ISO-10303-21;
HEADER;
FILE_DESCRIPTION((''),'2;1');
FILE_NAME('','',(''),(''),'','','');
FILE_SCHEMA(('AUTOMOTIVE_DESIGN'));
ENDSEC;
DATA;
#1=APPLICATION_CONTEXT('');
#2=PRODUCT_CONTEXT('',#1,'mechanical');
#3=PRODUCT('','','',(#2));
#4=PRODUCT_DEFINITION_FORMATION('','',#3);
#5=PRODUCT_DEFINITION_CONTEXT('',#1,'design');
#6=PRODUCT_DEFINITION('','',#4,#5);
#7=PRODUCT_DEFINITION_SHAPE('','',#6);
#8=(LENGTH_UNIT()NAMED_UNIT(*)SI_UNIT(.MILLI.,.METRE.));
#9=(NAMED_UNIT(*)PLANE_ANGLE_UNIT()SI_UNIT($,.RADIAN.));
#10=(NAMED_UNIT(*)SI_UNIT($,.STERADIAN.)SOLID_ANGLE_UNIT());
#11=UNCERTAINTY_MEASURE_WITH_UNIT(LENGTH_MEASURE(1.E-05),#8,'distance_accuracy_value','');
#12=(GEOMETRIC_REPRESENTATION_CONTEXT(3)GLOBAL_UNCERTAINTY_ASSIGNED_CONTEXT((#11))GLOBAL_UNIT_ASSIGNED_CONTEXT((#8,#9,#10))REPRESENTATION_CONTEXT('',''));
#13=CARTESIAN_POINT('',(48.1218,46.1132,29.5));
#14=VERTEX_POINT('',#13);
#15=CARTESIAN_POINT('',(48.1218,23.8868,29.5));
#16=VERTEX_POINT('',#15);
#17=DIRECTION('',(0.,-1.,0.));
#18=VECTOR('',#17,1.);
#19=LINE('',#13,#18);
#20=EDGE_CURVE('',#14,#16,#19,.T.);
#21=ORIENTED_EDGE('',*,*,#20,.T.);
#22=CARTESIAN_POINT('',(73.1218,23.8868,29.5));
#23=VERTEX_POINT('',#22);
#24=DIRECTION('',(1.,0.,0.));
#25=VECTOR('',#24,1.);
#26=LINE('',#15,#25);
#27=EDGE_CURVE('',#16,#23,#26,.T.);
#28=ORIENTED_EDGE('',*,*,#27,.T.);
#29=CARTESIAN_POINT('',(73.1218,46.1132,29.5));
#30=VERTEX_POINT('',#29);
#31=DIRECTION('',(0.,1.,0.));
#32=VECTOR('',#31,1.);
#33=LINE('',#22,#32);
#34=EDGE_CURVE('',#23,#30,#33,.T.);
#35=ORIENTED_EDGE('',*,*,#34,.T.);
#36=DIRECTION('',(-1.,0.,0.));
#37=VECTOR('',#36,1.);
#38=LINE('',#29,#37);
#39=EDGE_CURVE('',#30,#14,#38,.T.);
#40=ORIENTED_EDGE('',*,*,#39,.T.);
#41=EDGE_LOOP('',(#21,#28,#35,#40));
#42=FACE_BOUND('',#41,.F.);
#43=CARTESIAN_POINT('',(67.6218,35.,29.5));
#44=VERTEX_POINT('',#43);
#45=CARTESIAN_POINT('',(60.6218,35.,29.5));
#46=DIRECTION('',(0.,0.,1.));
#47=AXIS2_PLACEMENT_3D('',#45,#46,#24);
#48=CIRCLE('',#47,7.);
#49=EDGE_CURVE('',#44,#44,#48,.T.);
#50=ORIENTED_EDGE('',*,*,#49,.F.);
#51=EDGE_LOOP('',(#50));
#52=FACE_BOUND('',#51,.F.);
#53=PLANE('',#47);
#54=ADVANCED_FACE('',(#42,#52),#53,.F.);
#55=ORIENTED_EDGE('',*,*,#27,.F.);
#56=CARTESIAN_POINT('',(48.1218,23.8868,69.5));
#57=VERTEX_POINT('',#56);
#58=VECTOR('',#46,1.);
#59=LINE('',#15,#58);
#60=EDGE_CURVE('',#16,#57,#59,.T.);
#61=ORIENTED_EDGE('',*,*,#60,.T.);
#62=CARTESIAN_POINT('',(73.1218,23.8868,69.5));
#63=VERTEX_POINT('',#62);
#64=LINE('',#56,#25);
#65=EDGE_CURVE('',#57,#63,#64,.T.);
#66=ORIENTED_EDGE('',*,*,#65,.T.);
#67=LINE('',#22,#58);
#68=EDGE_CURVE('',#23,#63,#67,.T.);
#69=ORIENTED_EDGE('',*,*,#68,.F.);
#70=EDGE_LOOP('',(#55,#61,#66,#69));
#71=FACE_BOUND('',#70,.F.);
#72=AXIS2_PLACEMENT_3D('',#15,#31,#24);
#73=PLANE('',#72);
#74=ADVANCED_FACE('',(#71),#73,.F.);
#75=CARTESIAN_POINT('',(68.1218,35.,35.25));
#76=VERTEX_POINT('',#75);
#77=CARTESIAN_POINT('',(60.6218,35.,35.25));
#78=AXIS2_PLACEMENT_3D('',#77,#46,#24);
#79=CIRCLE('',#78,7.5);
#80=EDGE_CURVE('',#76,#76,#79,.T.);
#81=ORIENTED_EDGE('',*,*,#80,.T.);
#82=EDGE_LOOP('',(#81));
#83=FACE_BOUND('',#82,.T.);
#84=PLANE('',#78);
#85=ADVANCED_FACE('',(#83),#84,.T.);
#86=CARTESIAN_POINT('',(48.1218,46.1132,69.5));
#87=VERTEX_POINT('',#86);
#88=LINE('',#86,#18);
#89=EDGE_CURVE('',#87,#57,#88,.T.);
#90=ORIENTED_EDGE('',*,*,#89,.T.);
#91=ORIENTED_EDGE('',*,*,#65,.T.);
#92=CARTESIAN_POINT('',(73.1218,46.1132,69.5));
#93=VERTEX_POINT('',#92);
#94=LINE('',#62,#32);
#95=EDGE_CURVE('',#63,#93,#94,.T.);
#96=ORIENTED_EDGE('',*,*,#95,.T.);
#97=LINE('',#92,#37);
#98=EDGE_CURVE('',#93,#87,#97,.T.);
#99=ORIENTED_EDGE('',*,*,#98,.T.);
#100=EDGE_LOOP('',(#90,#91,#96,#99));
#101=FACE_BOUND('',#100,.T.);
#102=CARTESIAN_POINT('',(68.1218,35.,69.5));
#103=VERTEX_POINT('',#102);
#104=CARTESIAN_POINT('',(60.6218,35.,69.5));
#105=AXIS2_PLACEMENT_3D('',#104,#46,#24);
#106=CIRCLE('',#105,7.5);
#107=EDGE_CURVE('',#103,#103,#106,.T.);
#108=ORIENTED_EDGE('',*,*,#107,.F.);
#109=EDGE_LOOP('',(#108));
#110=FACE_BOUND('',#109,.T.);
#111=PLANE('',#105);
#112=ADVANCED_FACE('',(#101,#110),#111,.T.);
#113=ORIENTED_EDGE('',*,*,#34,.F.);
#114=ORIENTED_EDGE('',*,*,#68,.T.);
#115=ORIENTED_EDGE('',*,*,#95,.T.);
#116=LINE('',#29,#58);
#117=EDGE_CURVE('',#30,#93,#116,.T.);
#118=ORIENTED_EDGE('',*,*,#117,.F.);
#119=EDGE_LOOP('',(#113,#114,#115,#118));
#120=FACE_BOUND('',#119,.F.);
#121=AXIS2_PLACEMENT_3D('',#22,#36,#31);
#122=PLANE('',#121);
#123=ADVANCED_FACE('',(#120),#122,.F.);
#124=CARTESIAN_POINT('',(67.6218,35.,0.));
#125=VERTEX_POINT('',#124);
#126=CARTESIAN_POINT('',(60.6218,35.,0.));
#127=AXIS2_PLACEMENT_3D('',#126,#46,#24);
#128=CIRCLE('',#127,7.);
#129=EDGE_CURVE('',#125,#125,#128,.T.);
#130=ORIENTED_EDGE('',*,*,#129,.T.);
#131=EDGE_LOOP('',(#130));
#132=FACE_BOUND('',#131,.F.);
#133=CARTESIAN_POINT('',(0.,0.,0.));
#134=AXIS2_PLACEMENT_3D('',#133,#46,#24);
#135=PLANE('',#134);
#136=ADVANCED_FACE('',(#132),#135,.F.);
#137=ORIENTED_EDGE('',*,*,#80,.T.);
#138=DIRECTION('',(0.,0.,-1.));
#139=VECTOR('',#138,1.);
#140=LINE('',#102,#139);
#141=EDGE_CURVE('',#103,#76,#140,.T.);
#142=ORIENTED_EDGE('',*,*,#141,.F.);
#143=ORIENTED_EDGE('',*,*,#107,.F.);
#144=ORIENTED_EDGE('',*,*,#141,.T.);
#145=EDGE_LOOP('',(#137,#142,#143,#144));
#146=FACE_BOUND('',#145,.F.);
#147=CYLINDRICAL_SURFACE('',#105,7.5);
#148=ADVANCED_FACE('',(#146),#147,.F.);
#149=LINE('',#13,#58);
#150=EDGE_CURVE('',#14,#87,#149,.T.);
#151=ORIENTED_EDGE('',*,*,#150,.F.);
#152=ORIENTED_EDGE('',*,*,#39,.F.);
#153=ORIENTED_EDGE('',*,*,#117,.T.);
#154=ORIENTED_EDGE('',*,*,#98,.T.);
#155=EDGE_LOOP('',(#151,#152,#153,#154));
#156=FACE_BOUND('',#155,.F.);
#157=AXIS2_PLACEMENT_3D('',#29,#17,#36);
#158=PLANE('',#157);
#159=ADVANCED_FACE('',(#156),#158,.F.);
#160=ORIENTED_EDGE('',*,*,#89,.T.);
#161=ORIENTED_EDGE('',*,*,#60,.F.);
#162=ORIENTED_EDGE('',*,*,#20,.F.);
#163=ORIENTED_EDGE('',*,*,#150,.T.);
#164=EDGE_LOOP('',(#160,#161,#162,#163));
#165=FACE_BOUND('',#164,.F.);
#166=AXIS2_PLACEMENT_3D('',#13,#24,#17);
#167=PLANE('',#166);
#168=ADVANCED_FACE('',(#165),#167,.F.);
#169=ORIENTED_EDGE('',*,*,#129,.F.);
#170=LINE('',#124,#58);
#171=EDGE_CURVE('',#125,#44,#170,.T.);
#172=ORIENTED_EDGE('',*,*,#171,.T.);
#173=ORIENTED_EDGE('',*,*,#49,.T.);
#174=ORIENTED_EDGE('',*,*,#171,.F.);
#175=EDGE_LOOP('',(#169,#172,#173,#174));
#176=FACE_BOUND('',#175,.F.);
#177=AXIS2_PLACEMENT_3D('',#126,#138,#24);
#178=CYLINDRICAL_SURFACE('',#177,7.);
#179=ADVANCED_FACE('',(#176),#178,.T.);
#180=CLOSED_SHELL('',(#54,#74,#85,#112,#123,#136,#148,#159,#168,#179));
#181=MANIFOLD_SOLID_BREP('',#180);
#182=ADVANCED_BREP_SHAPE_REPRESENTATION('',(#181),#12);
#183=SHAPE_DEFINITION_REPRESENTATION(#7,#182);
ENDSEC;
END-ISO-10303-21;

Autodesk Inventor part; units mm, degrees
ref_plane "YZ Plane" through (0, 0, 0) normal (1, 0, 0) x (0, 1, 0)
ref_plane "XZ Plane" through (0, 0, 0) normal (0, 1, 0) x (-1, 0, 0)
ref_plane "XY Plane" through (0, 0, 0) normal (0, 0, 1) x (1, 0, 0)
sketch "Эскиз1" plane through (0, 0, 0) normal (0, 0, 1) x (1, 0, 0)
  circle A0 centre (60.6218, 35) radius 7.5 projected
  circle A1 centre (60.6218, 35) radius 7
  point P0 (0, 0)
  dimension "d0" = 14
extrude "Выдавливание1" add sketch "Эскиз1" along normal blind 29.5 contours A1
sketch "Эскиз2" plane through (60.6218, 35, 29.5) normal (0, 0, 1) x (1, 0, 0)
  line L0 (12.5, 11.1132) -> (-12.5, 11.1132)
  line L1 (-12.5, 11.1132) -> (-12.5, -11.1132)
  line L2 (-12.5, -11.1132) -> (12.5, -11.1132)
  line L3 (12.5, -11.1132) -> (12.5, 11.1132)
  line L4 (12.5, 11.1132) -> (-12.5, -11.1132) construction
  line L5 (-12.5, 11.1132) -> (12.5, -11.1132) construction
  point P0 (-60.6218, -35)
  point P1 (0, 0)
  dimension "d3" = 25
extrude "Выдавливание2" add sketch "Эскиз2" along normal blind 40
sketch "Эскиз3" plane through (60.6218, 35, 69.5) normal (0, 0, 1) x (1, 0, 0)
  circle A0 centre (0, 0) radius 7.5
  point P0 (-60.6218, -35)
  dimension "d6" = 15
extrude "Выдавливание3" cut sketch "Эскиз3" against normal blind 34.25
properties part number "Гайка"
